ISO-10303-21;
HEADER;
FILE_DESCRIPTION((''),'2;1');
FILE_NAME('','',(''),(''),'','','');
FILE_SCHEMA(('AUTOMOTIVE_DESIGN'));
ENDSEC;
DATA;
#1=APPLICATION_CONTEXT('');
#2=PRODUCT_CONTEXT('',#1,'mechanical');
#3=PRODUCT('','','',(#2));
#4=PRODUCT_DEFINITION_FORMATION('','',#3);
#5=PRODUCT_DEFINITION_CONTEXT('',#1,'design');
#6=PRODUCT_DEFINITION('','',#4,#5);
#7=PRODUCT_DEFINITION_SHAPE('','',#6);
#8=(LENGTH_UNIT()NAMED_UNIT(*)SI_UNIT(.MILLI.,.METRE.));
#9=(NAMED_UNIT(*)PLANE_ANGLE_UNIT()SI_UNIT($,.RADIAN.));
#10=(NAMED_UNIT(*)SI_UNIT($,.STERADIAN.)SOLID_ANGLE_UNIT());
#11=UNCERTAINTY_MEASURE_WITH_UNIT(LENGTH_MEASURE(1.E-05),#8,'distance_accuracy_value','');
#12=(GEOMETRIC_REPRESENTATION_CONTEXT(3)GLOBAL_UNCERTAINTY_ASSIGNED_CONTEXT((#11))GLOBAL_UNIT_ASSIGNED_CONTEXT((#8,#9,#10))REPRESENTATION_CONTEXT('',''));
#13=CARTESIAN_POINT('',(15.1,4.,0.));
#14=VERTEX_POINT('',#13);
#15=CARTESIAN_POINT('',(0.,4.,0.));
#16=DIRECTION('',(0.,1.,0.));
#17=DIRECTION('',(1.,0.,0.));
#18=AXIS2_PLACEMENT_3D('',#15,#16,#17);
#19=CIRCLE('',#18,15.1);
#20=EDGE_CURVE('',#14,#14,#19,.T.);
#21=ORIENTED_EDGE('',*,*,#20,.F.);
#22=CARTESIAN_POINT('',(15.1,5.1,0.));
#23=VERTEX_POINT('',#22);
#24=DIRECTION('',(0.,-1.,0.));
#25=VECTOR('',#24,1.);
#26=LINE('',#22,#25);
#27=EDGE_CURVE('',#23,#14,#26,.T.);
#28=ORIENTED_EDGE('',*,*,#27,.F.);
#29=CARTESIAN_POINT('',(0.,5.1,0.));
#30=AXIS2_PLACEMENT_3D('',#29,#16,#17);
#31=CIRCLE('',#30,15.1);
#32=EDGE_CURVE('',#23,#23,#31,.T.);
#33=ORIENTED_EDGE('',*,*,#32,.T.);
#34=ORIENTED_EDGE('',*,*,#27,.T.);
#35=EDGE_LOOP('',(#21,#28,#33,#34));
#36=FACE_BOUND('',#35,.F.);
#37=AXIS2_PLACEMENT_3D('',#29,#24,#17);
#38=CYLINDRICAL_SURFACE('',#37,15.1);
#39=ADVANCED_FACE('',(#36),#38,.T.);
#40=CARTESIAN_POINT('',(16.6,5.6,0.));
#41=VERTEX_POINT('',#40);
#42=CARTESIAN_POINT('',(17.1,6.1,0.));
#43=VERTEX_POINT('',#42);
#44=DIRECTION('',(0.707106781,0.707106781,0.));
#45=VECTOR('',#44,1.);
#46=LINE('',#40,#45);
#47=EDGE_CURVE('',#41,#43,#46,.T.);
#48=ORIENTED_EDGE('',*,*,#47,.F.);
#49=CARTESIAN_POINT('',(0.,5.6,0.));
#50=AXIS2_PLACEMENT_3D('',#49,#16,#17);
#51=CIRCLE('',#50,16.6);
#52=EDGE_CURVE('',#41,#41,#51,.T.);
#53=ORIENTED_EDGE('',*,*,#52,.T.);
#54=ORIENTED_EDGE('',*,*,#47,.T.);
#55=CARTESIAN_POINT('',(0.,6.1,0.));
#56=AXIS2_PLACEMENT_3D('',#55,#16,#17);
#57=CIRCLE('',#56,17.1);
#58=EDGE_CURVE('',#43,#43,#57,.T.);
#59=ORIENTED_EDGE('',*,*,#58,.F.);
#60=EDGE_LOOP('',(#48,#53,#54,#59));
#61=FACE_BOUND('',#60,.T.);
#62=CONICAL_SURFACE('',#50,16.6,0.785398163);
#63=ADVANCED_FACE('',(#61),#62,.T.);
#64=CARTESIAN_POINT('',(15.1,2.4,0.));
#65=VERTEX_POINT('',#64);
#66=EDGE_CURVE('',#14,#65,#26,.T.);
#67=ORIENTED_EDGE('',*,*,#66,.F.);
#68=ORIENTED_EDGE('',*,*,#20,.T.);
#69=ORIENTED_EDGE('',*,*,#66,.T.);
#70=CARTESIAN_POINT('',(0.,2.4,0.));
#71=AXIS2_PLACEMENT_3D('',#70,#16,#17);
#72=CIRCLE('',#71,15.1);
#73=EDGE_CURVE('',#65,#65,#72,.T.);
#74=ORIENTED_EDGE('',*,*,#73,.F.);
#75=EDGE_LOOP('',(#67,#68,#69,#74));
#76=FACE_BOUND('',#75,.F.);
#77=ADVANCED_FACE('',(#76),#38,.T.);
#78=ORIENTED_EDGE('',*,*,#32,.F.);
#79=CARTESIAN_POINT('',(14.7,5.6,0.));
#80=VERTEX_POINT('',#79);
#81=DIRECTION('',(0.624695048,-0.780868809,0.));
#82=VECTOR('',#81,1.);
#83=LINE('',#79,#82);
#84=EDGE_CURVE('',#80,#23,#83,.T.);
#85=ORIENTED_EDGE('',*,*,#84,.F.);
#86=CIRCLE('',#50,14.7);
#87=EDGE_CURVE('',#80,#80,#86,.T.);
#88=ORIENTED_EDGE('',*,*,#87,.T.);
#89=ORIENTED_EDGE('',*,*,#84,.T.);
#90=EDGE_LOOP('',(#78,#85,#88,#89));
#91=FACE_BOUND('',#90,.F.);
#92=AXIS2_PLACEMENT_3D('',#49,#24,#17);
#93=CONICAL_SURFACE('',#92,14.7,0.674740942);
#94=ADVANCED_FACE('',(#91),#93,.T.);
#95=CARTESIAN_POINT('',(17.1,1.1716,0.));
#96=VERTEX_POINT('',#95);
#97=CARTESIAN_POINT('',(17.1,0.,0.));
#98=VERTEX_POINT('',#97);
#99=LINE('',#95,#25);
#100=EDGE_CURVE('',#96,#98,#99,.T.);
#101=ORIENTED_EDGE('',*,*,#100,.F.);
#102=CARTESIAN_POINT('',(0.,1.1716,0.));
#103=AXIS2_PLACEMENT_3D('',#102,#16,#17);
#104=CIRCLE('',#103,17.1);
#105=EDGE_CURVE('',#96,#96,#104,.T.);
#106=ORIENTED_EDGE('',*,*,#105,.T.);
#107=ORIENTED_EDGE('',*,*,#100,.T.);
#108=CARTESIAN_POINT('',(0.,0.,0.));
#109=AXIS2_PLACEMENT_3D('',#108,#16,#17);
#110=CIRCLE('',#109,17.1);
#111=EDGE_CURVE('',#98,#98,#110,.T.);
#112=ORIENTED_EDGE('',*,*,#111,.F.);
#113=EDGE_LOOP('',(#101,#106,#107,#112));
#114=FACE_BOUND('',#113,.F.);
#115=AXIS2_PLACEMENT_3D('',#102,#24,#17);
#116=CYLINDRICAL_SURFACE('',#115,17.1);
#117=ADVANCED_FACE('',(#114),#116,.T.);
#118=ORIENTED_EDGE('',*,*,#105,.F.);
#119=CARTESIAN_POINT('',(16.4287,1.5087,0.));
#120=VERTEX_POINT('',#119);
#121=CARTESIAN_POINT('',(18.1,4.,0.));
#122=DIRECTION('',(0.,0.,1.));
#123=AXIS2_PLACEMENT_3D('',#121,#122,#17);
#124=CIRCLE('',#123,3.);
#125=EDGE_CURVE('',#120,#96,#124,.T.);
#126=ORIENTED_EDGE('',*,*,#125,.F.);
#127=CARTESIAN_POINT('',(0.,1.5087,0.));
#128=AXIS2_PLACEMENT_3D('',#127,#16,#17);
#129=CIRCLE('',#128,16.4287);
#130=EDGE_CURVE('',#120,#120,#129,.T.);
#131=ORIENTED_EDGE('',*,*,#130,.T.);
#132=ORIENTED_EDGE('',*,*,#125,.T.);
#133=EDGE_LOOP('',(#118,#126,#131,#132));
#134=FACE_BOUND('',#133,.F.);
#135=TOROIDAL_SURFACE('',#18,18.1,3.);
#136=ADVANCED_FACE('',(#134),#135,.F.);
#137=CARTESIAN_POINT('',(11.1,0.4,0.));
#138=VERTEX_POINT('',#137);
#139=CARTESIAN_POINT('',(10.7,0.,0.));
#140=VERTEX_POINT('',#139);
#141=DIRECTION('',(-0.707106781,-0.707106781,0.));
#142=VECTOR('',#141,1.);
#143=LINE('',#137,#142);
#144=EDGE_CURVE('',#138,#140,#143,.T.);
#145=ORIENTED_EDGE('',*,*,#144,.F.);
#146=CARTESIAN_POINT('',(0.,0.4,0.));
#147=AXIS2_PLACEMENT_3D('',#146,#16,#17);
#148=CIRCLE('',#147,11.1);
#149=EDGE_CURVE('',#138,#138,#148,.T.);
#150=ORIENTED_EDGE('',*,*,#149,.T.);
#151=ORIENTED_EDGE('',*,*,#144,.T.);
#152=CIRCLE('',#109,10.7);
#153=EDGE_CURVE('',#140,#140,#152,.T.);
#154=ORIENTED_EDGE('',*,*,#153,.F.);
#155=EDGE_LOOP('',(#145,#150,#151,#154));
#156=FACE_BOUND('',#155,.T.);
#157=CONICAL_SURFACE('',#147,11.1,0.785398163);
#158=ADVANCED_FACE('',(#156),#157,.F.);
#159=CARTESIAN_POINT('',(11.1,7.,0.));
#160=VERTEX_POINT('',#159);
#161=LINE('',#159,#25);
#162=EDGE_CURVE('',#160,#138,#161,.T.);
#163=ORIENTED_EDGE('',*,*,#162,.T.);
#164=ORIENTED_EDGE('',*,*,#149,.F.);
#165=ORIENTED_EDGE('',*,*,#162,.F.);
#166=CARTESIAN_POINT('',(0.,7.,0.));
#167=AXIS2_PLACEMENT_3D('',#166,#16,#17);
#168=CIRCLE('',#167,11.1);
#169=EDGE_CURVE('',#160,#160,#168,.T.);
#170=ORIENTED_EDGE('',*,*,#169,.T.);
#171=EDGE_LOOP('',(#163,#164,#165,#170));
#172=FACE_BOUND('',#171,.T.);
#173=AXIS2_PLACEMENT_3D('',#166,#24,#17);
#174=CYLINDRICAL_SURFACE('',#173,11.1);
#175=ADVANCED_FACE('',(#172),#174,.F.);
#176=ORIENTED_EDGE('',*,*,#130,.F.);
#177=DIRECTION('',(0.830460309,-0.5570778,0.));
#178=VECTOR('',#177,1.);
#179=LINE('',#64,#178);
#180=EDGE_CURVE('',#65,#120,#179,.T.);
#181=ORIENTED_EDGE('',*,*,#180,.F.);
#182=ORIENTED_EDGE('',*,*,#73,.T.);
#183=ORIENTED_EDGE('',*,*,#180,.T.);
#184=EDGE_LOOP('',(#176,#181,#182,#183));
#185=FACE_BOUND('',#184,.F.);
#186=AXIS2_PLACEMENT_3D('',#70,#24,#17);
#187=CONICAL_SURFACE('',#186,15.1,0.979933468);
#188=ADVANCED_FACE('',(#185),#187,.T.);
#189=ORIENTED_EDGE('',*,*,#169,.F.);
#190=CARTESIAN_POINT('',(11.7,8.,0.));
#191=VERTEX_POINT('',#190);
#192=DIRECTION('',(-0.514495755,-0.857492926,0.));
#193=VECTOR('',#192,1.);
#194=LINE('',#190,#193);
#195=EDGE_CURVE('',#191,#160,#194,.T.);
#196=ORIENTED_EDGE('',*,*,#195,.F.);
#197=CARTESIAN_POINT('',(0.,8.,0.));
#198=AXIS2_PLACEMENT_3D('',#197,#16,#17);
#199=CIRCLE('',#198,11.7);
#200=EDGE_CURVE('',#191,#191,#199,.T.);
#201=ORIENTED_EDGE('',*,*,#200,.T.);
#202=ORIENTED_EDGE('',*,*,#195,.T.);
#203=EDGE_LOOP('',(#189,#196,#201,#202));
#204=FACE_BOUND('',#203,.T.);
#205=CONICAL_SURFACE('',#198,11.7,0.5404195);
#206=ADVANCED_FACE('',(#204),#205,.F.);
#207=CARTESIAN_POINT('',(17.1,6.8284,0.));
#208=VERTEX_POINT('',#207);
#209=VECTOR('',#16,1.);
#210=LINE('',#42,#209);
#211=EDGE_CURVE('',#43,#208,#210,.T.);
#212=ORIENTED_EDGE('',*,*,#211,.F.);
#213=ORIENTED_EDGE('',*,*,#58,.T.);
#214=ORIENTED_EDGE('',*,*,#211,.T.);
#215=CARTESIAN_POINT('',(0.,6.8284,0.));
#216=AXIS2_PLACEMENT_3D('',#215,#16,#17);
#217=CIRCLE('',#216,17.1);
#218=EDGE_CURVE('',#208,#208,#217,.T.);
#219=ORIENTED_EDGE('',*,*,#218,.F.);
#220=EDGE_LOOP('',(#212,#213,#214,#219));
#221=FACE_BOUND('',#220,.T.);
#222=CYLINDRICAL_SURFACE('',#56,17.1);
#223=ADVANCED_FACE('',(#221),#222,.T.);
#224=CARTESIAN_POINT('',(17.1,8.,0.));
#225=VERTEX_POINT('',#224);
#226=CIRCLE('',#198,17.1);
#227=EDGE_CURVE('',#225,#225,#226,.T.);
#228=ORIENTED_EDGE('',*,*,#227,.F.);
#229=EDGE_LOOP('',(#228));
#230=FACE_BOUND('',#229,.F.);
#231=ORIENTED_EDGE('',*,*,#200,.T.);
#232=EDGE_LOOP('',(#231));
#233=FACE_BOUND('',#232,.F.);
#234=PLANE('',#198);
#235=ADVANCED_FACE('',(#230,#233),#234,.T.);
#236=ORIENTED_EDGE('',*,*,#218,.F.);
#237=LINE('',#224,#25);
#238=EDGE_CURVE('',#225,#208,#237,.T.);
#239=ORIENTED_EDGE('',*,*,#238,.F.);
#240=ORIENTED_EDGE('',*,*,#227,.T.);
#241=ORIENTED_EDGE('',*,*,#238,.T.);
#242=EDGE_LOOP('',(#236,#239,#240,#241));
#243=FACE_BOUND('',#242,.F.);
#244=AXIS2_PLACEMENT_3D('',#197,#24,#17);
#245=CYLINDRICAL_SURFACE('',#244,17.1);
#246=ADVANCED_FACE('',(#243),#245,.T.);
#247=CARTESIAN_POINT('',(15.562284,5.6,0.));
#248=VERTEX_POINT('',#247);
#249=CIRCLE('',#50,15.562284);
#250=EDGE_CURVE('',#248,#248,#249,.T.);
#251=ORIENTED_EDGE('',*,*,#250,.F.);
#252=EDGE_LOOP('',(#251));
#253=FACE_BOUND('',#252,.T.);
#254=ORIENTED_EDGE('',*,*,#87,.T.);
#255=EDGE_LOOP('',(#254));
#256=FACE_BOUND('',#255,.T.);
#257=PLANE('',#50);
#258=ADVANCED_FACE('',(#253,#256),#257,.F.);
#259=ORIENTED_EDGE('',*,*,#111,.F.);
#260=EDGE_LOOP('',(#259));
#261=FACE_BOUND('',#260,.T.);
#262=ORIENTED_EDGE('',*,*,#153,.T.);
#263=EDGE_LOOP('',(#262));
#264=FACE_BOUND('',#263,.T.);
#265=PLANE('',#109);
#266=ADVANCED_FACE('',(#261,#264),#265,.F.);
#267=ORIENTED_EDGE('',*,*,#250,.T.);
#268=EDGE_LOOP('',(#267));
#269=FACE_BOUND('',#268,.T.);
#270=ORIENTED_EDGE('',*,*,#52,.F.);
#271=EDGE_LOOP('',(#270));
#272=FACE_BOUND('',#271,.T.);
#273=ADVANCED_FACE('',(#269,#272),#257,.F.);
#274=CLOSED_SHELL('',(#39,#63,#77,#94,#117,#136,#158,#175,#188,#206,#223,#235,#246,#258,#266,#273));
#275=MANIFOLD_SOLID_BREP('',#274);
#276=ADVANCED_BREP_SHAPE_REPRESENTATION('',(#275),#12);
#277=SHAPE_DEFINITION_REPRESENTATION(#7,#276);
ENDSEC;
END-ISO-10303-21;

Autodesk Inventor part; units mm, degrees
ref_plane "YZ Plane" through (0, 0, 0) normal (1, 0, 0) x (0, 1, 0)
ref_plane "XZ Plane" through (0, 0, 0) normal (0, 1, 0) x (-1, 0, 0)
ref_plane "XY Plane" through (0, 0, 0) normal (0, 0, 1) x (1, 0, 0)
sketch "Sketch1" plane through (0, 0, 0) normal (0, 0, 1) x (1, 0, 0)
  line L0 (11.1, 0) -> (17.1, 0)
  line L1 (17.1, 0) -> (17.1, 8) construction
  line L2 (17.1, 8) -> (11.1, 8) construction
  line L3 (11.1, 8) -> (11.1, 0) construction
  line L4 (0, 0) -> (0, 7.3935) construction
  line L5 (17.1, 8) -> (17.1, 6.8284)
  line L6 (17.1, 1.1716) -> (17.1, 0)
  circle A0 centre (18.1, 4) radius 3
  line L7 (15.1, 5.6) -> (15.1, 2.4) construction
  line L8 (15.1, 2.4) -> (16.4287, 1.5087)
  line L9 (14.7, 5.6) -> (16.6, 5.6)
  line L10 (16.6, 5.6) -> (17.1, 6.1)
  line L11 (17.1, 6.1) -> (17.1, 6.8284)
  line L12 (14.7, 5.6) -> (15.1, 5.1)
  line L13 (15.1, 5.1) -> (15.1, 2.4)
  line L14 (11.7, 8) -> (11.1, 7)
  line L15 (11.1, 0.4) -> (10.7, 0)
  line L16 (10.7, 0) -> (11.1, 0)
  line L17 (11.7, 8) -> (17.1, 8)
  line L18 (11.1, 7) -> (11.1, 0.4)
  point P0 (17.1, 4)
  point P1 (15.5286, 5.5452)
  point P2 (15.5286, 2.4548)
  point P3 (15.1, 4)
  point P4 (16.3509, 6.4373)
  dimension "d13" = 6
  dimension "d6" = 8
  dimension "d7" = 11.1
  dimension "d12" = 1
  dimension "d14" = 6
  dimension "d17" = 3.2
  dimension "d18" = 1.9
  dimension "d19" = 135
  dimension "d24" = 0.5
  dimension "d25" = 0.5
  dimension "d27" = 0.6
  dimension "d28" = 1
  dimension "d29" = 0.4
  dimension "d30" = 0.4
revolve "Revolution1" add sketch "Sketch1" angle 360 about axis through (0, 0, 0) along (0, 1, 0) picked at (16.0469, 5.7737) contours L16 L15 L18 L14 L17 L5 A0 L9 L12 L13 L8 L6 L0 | L11 L10 L9 A0
properties part number "pully 16mmx30mmx6mm"
